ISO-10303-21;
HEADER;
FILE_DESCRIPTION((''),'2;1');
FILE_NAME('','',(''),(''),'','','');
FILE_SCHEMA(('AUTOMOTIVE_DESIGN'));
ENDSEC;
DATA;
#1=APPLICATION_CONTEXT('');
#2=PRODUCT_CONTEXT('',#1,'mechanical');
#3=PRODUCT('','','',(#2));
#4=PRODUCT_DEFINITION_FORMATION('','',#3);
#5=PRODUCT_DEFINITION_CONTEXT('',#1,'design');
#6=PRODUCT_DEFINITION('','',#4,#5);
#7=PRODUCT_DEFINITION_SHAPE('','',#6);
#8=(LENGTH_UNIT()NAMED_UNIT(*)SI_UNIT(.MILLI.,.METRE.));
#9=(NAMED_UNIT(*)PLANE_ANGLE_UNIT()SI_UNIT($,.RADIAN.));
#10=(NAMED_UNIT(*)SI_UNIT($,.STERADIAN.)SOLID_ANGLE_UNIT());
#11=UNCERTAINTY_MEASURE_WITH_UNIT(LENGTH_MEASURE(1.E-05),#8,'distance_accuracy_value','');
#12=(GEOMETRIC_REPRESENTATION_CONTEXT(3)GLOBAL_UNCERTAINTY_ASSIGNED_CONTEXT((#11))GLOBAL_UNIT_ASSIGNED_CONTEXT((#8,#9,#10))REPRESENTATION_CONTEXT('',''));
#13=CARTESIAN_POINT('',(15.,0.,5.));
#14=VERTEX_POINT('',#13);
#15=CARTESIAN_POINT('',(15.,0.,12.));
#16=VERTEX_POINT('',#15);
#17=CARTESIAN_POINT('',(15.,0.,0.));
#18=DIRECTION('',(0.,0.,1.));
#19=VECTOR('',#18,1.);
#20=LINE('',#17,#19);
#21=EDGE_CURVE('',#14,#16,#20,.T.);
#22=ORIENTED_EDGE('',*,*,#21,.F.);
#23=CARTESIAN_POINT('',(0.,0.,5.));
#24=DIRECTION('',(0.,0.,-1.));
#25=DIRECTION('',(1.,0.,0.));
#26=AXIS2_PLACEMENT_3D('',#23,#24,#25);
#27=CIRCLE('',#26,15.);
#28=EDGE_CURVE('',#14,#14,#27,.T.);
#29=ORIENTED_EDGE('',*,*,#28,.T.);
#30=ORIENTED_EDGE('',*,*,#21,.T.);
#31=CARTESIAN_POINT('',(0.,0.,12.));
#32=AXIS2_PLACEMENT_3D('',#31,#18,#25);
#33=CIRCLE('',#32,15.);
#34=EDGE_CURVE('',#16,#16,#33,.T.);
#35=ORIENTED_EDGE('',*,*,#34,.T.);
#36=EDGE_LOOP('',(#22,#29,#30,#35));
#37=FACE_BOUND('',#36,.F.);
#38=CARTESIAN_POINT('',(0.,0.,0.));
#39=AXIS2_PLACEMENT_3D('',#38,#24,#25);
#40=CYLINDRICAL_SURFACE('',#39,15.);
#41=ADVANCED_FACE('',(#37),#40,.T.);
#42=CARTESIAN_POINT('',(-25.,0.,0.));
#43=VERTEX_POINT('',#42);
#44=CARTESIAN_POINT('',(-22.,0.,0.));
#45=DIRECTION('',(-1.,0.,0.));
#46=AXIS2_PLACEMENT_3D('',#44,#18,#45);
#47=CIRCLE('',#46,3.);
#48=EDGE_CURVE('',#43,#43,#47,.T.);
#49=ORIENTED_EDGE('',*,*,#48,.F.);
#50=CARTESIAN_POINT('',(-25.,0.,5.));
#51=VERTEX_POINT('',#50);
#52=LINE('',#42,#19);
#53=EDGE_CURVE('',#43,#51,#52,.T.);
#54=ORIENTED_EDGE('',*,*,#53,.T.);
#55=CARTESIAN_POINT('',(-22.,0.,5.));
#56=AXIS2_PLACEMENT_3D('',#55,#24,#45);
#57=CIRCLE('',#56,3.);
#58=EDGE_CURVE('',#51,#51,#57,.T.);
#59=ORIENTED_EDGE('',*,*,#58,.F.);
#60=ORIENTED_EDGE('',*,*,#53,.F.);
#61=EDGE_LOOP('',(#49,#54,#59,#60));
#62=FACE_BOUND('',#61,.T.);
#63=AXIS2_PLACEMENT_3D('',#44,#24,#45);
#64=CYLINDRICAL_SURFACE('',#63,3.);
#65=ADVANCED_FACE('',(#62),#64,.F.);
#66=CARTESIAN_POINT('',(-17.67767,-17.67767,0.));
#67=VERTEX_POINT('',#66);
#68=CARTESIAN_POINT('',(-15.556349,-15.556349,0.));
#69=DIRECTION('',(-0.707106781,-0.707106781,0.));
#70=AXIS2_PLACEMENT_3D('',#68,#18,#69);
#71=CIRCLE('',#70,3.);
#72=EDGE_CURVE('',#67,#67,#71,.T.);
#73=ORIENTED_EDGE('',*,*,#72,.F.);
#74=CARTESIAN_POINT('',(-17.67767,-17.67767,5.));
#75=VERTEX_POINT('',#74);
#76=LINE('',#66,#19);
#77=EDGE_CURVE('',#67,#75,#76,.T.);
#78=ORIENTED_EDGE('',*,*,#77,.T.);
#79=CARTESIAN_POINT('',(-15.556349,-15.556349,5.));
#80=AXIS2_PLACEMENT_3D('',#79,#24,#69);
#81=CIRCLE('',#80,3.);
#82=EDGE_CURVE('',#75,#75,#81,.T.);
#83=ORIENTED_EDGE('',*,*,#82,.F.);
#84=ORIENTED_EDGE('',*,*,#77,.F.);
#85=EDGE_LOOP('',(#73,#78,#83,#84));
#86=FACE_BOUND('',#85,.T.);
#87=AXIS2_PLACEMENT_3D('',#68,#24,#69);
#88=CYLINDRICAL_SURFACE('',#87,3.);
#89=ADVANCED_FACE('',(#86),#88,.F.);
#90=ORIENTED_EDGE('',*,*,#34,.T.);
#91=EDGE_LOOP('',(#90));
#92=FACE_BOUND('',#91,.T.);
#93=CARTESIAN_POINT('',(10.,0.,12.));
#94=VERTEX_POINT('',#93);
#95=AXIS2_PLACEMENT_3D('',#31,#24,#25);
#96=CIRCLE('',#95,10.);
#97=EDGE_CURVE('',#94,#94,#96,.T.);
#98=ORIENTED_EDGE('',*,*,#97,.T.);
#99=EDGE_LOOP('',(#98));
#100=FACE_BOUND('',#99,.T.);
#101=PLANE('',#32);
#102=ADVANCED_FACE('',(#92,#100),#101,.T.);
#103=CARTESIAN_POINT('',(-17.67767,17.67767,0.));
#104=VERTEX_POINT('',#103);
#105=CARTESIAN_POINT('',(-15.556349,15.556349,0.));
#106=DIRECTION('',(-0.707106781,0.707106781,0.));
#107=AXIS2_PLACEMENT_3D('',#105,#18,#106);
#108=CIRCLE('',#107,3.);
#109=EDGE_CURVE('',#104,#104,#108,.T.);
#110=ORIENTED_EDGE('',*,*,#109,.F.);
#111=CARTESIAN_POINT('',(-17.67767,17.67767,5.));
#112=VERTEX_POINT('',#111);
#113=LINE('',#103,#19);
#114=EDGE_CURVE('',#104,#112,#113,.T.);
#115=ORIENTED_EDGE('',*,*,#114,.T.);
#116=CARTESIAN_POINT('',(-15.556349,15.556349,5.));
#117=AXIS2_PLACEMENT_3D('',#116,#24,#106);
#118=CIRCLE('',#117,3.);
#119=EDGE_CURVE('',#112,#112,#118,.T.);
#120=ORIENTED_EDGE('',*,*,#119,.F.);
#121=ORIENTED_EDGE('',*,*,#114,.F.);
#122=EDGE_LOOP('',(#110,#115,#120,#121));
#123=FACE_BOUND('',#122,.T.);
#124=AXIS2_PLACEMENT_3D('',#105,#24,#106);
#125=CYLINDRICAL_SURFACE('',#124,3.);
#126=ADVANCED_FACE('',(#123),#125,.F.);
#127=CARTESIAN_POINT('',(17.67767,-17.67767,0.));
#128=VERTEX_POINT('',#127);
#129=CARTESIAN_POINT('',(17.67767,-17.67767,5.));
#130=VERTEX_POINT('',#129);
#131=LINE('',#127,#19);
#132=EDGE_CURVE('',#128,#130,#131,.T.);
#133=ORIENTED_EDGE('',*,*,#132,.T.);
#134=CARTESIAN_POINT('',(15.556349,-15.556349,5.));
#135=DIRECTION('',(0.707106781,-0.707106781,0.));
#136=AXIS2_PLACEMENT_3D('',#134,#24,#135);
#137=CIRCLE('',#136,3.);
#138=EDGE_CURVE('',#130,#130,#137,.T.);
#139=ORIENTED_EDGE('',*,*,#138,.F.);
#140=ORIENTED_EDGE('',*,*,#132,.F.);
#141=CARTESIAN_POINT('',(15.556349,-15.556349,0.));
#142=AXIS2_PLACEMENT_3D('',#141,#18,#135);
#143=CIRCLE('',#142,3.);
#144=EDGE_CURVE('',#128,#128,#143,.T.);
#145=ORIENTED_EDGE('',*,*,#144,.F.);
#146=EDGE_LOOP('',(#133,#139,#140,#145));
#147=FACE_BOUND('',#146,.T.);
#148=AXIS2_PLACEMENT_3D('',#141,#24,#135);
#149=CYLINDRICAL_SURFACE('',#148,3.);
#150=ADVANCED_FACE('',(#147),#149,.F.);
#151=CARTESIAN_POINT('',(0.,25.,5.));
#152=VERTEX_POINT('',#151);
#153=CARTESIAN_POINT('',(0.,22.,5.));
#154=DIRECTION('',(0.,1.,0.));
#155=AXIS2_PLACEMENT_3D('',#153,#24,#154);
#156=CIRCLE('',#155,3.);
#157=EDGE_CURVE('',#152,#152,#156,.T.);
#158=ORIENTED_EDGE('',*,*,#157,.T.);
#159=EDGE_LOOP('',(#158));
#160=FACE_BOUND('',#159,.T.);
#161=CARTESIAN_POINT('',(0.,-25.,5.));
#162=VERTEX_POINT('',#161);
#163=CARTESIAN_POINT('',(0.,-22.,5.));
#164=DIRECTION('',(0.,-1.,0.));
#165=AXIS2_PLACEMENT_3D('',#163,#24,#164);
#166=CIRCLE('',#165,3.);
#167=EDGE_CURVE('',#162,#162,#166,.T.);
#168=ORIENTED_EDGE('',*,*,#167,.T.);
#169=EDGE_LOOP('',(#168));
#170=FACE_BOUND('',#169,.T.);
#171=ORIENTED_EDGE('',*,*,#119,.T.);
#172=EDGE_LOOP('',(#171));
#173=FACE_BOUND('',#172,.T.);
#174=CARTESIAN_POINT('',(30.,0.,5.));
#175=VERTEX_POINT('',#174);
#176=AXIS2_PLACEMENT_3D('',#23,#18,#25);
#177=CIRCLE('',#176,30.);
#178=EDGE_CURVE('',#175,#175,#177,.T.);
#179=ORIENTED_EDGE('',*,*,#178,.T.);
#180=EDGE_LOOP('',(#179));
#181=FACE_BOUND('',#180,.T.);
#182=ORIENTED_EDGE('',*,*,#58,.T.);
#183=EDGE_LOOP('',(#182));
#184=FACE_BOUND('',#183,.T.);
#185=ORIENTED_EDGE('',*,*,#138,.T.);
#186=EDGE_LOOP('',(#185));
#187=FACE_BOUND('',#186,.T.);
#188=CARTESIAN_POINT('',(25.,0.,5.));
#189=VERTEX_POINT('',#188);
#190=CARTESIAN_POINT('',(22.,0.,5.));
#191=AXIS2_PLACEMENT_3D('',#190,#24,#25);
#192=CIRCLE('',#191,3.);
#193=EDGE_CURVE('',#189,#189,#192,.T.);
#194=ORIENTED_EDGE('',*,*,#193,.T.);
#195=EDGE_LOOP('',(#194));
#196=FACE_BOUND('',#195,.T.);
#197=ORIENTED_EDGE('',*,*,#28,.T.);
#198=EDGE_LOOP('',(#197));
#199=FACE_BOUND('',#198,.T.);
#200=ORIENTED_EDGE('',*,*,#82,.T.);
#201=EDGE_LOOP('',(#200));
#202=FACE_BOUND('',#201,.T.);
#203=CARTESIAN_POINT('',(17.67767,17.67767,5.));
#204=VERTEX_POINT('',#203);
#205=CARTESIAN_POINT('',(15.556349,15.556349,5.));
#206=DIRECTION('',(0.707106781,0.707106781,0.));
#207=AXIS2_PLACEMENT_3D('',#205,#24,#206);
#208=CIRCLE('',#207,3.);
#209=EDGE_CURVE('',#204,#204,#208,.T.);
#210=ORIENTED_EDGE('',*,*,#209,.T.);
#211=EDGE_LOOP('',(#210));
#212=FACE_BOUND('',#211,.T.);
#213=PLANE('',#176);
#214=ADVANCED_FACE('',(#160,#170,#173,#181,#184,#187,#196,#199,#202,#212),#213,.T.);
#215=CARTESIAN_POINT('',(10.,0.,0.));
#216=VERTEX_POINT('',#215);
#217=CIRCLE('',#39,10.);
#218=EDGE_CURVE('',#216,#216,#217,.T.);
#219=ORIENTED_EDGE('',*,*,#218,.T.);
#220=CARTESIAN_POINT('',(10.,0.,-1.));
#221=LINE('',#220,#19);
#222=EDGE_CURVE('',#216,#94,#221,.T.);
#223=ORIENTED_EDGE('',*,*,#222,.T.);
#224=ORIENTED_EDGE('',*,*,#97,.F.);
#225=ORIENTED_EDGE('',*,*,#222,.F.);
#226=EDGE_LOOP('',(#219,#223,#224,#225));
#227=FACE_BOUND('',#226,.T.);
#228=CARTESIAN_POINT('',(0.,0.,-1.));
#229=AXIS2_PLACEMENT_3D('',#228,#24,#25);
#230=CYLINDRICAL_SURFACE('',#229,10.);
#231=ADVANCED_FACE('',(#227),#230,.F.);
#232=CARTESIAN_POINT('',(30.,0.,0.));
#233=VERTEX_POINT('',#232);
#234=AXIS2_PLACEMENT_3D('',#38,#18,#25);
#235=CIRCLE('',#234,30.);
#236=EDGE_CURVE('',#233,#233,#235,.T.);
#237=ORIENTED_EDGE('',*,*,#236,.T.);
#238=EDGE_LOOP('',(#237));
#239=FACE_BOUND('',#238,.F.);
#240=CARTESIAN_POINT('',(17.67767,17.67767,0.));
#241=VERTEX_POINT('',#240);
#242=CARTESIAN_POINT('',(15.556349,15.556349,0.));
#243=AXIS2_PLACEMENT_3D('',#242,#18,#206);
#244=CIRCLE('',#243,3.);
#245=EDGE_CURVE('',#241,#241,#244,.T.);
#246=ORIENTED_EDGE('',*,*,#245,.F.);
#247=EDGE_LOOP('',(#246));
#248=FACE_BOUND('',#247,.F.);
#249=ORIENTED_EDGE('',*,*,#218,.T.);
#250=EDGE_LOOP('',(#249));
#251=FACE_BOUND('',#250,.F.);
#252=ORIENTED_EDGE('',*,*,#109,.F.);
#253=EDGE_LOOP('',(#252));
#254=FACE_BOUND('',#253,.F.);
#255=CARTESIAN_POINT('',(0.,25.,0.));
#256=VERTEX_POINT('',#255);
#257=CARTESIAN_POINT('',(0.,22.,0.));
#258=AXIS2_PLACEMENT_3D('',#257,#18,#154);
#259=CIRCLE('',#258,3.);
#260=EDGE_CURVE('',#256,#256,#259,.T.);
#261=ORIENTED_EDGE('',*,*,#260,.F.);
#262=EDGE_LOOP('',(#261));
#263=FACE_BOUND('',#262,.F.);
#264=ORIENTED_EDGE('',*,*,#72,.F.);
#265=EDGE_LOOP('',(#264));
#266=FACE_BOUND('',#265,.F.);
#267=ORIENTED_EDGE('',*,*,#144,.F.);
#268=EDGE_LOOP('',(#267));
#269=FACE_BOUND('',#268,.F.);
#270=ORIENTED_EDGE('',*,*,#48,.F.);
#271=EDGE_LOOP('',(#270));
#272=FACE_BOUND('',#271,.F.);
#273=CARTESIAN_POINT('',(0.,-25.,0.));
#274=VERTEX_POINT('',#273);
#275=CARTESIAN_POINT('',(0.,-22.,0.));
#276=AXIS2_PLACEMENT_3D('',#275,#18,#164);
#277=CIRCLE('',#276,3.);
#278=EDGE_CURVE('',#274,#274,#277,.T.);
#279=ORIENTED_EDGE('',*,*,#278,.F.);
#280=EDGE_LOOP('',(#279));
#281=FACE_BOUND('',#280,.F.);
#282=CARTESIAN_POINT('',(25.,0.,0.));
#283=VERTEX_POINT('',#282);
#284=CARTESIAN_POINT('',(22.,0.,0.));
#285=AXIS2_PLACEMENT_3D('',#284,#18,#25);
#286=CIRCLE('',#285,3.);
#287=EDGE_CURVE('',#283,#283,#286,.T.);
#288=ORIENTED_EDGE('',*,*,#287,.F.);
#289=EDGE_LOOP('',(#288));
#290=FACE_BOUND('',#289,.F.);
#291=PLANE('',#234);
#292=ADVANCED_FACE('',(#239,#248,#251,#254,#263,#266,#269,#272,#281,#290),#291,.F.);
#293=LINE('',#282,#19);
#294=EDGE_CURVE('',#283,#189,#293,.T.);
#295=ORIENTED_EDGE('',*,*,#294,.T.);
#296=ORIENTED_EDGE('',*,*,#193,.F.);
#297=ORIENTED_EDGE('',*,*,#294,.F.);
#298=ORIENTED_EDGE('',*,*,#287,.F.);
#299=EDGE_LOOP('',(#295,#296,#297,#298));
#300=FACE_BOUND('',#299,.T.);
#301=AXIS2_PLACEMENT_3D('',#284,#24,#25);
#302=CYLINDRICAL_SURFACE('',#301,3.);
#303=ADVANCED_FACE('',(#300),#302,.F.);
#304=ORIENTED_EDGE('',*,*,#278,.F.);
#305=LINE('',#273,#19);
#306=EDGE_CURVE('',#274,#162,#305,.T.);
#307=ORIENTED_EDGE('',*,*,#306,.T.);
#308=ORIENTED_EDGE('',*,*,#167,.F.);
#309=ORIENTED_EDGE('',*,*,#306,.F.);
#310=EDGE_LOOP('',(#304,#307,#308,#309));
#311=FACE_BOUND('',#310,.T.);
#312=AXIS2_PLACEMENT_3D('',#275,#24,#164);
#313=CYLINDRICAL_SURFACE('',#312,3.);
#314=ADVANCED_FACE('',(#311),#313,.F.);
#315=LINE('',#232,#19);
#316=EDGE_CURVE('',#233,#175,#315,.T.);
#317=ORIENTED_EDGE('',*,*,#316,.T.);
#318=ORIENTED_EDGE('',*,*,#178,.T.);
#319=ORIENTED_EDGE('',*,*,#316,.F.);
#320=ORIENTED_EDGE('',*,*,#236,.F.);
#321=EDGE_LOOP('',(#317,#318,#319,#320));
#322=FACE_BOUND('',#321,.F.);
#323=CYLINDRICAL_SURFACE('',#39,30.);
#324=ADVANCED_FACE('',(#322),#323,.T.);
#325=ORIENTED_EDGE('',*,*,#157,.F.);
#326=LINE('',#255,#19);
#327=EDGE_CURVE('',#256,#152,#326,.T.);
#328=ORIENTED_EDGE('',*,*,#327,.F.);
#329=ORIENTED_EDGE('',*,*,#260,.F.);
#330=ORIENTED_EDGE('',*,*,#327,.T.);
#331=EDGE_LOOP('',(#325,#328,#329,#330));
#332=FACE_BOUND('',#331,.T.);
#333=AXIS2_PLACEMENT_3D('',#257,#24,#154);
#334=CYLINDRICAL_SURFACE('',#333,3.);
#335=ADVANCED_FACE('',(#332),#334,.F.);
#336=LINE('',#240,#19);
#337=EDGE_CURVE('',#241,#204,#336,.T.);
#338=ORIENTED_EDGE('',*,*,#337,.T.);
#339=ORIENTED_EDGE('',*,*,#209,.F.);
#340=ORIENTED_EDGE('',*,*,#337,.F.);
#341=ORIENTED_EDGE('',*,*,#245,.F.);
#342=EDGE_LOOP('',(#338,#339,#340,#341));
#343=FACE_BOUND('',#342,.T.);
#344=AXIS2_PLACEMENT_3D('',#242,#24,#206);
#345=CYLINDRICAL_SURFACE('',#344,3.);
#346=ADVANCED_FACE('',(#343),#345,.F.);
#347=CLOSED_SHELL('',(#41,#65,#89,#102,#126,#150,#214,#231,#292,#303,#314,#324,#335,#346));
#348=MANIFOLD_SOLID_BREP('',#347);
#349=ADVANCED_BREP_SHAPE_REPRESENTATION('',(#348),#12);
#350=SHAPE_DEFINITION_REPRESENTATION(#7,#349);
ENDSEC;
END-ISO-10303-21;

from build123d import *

# Parameters (mm, degrees)
CYLINDER003_R     = 3
CYLINDER003_DEPTH = 10
ARRAY_COUNT       = 8
CYLINDER002_R     = 10
CYLINDER002_DEPTH = 30
CYLINDER001_R     = 15
CYLINDER001_DEPTH = 12
CYLINDER_R        = 30
CYLINDER_DEPTH    = 5


with BuildPart() as array:
    # Cylinder003 → Cylinder003 (new body)
    with BuildSketch(Plane(origin=(22, 0, 0), x_dir=(1, 0, 0), z_dir=(0, 0, 1))):
        Circle(CYLINDER003_R)
    extrude(amount=CYLINDER003_DEPTH)

    # Array: Array ×8 about axis
    array_axis = Axis((0, 0, 0), (0, 0, 1))


with BuildPart() as array_1:
    add(array.part)
    for i in range(1, ARRAY_COUNT):
        add(array.part.rotate(array_axis, i * 360 / ARRAY_COUNT))


with BuildPart() as tubo_int:
    # Cylinder002 → Cylinder002 (new body)
    with BuildSketch(Plane.XY.offset(-1)):
        Circle(CYLINDER002_R)
    extrude(amount=CYLINDER002_DEPTH)


with BuildPart() as tubo_ext:
    # Cylinder001 → Cylinder001 (new body)
    with BuildSketch(Plane.XY):
        Circle(CYLINDER001_R)
    extrude(amount=CYLINDER001_DEPTH)


with BuildPart() as brida:
    # Cylinder → Cylinder (new body)
    with BuildSketch(Plane.XY):
        Circle(CYLINDER_R)
    extrude(amount=CYLINDER_DEPTH)

    # Fusion: union Tubo_ext
    add(tubo_ext.part)

    # Cut: cut Tubo_int
    add(tubo_int.part, mode=Mode.SUBTRACT)

    # Cut001: cut Array
    add(array_1.part, mode=Mode.SUBTRACT)


solid = brida.part
